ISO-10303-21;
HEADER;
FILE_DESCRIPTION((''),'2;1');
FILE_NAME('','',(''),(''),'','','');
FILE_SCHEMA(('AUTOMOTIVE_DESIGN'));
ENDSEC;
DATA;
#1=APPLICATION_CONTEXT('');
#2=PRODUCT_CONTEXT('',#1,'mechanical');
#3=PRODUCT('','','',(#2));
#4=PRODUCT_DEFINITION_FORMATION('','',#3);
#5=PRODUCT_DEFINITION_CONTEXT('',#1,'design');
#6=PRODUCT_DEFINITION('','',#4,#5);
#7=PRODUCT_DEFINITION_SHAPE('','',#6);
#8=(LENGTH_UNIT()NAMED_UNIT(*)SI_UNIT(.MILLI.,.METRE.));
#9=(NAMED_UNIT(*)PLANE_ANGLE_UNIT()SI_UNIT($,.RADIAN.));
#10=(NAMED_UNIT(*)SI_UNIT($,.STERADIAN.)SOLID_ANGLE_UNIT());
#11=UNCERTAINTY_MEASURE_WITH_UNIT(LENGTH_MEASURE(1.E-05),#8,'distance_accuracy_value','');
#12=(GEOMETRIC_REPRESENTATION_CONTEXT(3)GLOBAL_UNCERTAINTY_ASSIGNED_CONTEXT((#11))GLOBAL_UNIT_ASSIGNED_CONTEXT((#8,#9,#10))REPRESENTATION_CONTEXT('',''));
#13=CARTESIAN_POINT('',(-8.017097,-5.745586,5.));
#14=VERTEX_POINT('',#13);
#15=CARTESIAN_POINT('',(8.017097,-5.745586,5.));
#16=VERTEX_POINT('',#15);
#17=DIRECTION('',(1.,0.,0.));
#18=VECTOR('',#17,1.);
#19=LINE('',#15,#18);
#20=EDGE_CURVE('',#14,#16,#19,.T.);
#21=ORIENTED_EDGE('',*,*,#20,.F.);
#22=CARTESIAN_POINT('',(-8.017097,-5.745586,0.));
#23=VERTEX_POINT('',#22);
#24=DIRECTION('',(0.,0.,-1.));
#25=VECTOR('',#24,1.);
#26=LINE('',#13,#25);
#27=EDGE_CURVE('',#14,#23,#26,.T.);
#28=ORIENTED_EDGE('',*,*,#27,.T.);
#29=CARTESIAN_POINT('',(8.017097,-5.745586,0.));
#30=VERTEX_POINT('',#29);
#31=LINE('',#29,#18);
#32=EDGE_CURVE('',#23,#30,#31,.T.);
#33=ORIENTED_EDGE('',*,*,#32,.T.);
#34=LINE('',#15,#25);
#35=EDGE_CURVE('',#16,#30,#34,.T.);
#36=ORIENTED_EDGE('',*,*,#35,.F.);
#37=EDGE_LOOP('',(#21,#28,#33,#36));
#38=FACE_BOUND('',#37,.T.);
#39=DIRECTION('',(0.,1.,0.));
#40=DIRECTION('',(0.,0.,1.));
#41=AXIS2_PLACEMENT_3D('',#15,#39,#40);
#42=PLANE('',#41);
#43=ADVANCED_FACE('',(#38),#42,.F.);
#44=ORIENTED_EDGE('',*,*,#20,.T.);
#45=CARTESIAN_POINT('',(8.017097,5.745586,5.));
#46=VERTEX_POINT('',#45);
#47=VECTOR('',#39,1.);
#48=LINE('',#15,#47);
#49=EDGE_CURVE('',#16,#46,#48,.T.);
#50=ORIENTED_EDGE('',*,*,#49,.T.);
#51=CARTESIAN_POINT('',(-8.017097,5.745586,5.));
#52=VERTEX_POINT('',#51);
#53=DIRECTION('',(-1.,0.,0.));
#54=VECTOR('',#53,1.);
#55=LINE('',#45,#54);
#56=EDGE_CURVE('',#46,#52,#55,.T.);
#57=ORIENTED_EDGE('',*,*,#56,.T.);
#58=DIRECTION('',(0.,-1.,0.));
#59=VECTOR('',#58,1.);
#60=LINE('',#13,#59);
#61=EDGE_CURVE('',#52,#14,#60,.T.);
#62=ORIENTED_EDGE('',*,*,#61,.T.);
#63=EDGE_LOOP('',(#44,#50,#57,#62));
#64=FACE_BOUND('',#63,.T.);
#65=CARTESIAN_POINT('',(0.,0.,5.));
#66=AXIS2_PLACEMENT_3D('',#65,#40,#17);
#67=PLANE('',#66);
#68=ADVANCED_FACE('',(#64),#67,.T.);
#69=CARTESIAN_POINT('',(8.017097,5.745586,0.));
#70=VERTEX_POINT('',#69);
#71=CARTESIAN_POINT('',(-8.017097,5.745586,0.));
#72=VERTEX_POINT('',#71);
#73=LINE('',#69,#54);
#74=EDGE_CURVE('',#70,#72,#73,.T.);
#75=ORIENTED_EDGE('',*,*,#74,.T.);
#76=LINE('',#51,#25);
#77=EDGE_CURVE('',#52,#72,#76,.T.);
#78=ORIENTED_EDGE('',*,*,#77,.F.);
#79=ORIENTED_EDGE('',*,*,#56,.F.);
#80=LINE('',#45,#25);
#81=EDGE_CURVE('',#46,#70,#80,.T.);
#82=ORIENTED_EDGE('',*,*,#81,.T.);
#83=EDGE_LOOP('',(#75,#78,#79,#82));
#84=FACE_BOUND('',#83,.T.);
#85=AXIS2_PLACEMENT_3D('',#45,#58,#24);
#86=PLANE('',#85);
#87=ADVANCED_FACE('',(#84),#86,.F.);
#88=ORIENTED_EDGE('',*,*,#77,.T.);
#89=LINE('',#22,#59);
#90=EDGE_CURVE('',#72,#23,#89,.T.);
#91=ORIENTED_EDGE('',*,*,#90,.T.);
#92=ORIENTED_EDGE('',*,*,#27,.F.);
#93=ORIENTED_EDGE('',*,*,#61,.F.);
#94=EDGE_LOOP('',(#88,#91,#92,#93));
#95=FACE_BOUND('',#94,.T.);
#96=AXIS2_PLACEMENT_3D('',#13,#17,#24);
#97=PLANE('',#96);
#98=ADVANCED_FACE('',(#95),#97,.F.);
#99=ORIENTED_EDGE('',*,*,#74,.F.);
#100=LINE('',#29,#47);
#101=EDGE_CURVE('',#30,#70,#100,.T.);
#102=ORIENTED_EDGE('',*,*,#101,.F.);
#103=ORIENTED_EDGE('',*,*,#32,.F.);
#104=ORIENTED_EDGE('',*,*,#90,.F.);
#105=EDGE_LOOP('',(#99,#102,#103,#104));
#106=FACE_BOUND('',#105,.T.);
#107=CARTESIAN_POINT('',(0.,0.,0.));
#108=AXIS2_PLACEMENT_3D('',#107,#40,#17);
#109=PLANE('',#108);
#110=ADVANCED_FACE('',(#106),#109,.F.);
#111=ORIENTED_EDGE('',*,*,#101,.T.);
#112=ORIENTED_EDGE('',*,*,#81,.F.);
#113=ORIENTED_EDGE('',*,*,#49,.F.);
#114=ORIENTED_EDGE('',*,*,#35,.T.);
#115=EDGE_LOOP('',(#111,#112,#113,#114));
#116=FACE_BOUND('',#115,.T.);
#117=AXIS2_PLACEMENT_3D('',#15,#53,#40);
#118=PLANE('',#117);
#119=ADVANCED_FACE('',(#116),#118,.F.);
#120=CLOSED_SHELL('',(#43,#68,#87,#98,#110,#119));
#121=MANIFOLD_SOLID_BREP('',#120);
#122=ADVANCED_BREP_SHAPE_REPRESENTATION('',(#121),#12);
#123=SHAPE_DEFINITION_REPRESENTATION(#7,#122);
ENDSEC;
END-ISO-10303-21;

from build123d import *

# Parameters (mm, degrees)
SKETCH_1_W      = 16.034193654
SKETCH_1_H      = 11.49117212
EXTRUDE_1_DEPTH = 5


with BuildPart() as part:
    # 草图1 → 凸台-拉伸1 (new body)
    with BuildSketch(Plane.XY):
        Rectangle(SKETCH_1_W, SKETCH_1_H)
    extrude(amount=EXTRUDE_1_DEPTH)


solid = part.part
